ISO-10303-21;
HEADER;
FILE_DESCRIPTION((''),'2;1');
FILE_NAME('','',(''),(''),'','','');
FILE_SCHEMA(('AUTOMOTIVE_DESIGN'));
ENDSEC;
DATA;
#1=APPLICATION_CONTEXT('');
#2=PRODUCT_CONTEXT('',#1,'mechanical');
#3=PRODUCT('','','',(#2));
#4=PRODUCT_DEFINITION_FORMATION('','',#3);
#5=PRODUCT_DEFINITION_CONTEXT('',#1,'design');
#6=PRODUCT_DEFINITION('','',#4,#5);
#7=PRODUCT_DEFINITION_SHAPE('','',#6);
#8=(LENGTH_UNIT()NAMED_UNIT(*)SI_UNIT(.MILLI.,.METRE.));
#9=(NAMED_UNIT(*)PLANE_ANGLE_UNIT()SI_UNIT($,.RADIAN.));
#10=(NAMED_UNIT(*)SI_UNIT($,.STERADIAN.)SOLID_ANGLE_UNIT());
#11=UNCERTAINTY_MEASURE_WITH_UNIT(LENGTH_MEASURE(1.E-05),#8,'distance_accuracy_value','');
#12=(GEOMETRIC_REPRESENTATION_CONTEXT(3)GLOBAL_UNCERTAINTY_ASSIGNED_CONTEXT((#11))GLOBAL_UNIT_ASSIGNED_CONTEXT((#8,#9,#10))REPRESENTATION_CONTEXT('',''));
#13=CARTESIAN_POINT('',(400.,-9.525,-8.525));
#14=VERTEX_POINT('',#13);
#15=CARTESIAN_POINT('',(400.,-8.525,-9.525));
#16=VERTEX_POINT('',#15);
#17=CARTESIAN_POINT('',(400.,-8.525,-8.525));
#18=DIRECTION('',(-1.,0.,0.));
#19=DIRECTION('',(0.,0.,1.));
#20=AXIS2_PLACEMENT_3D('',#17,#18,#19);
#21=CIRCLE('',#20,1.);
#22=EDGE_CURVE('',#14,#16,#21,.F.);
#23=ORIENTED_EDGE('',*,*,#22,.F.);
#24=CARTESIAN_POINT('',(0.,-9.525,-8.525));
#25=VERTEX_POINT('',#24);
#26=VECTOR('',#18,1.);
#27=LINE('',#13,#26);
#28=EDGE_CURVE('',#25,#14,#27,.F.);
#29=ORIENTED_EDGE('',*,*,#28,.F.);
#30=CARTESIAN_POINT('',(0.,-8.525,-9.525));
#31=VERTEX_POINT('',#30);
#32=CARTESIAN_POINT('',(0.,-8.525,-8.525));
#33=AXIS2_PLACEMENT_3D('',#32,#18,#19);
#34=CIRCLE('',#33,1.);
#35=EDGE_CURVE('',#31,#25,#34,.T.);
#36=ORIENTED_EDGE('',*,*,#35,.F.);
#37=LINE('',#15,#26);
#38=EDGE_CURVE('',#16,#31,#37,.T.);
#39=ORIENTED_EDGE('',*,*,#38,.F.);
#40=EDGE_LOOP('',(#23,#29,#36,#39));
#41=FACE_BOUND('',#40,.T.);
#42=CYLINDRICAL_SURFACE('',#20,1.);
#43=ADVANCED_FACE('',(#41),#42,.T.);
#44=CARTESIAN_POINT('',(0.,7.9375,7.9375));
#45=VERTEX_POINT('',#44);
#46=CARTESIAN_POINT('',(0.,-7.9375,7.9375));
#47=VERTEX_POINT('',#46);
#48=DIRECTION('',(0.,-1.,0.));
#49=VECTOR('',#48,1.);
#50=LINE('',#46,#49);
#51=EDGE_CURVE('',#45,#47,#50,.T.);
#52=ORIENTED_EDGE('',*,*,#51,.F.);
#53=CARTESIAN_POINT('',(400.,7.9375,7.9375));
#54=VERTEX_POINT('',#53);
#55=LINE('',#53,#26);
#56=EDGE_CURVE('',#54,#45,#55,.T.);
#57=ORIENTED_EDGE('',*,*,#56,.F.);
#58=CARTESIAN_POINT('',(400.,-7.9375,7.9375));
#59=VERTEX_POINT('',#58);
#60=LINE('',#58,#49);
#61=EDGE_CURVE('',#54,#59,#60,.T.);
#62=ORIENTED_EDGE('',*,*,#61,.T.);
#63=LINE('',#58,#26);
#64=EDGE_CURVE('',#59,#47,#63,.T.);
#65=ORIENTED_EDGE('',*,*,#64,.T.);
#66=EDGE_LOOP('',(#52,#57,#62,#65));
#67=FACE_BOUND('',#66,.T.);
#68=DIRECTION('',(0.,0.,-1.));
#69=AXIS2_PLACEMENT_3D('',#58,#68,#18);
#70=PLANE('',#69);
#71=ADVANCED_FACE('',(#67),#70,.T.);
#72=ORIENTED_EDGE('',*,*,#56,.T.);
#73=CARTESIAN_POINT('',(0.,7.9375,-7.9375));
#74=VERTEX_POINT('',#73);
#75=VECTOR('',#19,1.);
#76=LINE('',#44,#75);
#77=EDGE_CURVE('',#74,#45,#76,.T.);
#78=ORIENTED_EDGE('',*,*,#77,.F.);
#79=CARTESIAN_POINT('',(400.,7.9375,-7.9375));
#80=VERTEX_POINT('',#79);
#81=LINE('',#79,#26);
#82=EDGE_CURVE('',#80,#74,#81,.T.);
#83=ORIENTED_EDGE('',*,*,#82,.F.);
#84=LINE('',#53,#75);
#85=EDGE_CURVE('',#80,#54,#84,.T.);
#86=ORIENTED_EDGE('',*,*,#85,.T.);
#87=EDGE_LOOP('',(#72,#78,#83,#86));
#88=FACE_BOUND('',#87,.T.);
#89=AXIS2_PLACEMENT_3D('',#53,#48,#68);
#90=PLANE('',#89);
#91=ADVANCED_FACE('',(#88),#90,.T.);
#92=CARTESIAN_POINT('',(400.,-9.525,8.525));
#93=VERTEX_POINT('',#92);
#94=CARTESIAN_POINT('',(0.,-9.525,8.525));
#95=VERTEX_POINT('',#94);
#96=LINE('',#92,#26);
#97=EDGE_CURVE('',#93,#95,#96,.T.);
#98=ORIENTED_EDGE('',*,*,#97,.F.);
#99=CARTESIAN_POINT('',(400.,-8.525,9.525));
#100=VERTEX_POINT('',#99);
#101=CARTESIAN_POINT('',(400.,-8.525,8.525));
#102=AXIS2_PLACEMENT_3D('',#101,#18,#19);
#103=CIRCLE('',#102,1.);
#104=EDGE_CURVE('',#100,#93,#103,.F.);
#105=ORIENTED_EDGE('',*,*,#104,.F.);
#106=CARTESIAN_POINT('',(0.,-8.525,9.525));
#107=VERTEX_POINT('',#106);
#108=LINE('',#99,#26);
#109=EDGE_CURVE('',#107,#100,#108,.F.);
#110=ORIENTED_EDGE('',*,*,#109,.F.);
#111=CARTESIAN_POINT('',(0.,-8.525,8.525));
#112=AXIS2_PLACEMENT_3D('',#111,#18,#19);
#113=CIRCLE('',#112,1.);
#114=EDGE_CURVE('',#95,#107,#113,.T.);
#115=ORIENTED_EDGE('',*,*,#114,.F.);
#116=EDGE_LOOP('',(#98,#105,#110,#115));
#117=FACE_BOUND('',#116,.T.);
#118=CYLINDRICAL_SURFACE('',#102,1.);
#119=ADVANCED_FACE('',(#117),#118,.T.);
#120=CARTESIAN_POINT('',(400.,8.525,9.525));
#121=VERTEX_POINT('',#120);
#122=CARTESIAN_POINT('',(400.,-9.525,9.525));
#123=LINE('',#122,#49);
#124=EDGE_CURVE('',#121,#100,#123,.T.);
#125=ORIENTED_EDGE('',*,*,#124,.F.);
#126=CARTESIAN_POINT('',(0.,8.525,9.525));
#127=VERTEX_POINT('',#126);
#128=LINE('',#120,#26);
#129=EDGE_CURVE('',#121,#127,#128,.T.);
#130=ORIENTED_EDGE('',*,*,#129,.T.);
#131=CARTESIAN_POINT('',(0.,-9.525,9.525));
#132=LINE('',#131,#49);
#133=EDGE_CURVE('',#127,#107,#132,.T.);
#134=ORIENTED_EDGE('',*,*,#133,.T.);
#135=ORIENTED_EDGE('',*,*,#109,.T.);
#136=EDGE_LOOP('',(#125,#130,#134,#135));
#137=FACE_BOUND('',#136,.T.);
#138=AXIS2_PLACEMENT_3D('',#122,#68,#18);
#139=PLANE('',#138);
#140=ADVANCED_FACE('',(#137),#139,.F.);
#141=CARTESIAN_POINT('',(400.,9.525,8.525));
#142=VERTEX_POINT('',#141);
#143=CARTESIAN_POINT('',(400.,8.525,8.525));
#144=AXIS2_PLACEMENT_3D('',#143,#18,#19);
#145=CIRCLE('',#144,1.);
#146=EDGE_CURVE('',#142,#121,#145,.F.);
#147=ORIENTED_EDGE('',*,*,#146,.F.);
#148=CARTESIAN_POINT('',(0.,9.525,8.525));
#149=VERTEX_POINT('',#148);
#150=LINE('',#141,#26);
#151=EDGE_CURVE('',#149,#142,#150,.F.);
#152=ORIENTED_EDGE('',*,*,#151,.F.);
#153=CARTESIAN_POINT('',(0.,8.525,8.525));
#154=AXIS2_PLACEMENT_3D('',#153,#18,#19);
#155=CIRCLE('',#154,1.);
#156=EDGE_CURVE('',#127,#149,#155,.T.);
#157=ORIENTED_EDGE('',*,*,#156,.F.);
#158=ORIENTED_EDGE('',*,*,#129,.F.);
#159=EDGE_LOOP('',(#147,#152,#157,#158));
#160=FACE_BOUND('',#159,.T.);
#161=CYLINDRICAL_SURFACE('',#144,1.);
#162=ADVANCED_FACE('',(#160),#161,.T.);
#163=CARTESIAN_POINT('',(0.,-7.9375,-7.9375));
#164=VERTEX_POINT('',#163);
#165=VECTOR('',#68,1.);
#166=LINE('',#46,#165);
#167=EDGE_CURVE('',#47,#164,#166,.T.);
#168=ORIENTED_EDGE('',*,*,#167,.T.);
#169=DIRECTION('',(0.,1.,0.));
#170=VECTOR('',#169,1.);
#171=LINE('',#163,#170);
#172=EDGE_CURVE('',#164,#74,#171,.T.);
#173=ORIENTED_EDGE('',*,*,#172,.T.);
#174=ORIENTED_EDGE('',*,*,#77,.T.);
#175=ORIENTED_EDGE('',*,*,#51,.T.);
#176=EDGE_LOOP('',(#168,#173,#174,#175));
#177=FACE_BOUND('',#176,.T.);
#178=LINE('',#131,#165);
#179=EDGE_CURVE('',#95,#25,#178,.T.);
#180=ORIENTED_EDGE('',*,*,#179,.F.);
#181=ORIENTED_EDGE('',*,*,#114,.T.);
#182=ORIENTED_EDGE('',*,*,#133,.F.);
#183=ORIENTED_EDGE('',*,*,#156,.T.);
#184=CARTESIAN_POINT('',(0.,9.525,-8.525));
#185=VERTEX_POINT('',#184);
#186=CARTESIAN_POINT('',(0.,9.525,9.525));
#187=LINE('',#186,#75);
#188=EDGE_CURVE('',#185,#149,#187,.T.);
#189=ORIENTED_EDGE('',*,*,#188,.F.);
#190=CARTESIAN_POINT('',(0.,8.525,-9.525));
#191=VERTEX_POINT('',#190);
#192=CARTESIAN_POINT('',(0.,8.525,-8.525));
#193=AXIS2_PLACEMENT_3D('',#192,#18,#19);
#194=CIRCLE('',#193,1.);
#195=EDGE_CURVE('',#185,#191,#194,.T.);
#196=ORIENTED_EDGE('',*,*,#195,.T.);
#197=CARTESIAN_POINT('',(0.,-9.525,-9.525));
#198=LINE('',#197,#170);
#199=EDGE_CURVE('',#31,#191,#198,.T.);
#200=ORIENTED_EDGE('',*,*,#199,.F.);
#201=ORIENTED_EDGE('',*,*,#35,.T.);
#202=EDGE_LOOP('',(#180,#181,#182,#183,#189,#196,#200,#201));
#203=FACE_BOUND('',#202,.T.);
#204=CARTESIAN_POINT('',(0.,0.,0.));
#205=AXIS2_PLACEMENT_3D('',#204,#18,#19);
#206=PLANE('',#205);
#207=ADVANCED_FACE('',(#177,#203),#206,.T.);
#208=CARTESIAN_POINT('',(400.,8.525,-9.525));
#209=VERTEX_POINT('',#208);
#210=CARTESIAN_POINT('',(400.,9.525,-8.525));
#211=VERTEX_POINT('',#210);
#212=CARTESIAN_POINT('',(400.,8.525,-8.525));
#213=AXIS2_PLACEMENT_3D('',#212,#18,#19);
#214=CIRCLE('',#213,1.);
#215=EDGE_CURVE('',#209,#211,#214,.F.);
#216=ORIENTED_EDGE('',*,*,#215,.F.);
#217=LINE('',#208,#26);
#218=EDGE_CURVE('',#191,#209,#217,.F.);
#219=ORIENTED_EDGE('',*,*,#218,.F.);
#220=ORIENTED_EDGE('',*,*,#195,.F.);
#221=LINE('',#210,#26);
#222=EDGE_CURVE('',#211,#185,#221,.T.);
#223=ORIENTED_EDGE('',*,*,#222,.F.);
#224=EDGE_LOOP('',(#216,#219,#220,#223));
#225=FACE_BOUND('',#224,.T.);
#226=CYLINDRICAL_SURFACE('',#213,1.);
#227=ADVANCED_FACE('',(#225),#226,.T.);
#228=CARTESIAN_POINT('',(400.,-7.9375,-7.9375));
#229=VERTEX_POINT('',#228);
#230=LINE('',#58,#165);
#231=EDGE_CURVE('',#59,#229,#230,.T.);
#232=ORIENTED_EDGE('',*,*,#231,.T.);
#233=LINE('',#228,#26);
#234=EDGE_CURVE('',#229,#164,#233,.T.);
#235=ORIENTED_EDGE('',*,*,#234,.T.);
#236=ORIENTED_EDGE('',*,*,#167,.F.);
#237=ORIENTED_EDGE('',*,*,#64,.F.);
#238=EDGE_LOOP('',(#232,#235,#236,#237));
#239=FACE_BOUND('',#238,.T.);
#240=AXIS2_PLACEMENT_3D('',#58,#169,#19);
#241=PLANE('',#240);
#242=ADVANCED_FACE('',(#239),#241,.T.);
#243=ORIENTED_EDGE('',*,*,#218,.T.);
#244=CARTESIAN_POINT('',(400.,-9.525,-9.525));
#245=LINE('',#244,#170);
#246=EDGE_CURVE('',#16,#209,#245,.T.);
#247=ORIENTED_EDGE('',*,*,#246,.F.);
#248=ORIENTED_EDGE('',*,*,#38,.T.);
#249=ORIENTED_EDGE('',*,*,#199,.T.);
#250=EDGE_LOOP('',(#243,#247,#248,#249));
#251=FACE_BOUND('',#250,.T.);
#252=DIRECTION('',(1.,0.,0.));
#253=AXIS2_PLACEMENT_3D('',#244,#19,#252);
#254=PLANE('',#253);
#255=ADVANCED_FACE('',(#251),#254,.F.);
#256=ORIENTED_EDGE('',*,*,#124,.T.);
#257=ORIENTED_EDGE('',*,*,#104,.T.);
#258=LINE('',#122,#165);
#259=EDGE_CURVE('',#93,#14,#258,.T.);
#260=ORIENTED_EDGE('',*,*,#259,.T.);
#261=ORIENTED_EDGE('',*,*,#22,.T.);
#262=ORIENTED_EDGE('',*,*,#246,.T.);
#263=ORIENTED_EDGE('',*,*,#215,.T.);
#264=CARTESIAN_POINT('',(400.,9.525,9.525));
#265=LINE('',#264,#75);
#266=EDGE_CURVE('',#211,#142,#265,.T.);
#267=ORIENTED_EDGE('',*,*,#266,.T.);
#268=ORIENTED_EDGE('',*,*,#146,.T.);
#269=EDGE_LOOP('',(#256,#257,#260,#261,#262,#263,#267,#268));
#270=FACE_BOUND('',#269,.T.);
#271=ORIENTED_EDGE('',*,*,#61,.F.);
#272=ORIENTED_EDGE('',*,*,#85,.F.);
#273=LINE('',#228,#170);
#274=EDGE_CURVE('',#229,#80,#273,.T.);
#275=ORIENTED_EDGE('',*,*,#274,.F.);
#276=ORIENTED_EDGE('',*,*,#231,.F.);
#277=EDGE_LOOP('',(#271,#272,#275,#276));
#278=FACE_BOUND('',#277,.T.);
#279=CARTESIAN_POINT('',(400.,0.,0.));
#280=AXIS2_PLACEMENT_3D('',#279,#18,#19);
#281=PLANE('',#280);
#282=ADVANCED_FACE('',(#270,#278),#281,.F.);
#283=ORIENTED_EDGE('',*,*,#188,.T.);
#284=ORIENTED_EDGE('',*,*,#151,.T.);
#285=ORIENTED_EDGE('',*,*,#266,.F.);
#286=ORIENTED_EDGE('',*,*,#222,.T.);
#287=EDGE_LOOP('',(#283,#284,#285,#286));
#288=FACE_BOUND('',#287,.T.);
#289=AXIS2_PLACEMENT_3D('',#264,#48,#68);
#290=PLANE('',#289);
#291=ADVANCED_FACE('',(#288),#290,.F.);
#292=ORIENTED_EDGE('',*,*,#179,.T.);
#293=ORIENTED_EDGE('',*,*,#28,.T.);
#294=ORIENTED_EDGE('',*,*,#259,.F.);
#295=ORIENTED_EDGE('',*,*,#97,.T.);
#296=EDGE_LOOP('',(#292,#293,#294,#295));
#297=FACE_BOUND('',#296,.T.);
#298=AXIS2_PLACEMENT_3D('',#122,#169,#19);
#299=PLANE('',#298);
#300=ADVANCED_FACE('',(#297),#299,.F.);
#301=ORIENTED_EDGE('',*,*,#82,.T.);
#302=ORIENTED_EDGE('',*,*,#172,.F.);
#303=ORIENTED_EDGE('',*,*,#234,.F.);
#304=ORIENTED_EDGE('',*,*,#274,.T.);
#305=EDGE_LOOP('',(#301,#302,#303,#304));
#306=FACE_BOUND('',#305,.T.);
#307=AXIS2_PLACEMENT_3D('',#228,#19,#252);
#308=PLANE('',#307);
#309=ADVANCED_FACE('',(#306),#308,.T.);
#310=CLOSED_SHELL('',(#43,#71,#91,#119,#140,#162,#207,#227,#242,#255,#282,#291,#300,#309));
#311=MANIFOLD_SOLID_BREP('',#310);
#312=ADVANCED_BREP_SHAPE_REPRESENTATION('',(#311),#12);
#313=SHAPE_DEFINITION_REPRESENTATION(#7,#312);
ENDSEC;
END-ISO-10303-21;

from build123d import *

# Parameters (mm, degrees)
SKETCH2_W           = 19.05
SKETCH2_H           = 19.05
SKETCH2_W_2         = 15.875
SKETCH2_H_2         = 15.875
BOSS_EXTRUDE1_DEPTH = 400
FILLET1_R           = 1


with BuildPart() as part:
    # Sketch2 → Boss-Extrude1 (new body)
    with BuildSketch(Plane(origin=(0, 0, 0), x_dir=(0, 0, -1), z_dir=(1, 0, 0))):
        Rectangle(SKETCH2_W, SKETCH2_H)
        Rectangle(SKETCH2_W_2, SKETCH2_H_2, mode=Mode.SUBTRACT)
    extrude(amount=BOSS_EXTRUDE1_DEPTH)

    # Fillet1
    fillet1_edges = [part.edges().sort_by_distance(p)[0] for p in [
        (200, -9.525, -9.525),
        (200, -9.525, 9.525),
        (200, 9.525, 9.525),
        (200, 9.525, -9.525),
    ]]
    fillet(fillet1_edges, radius=FILLET1_R)


solid = part.part
